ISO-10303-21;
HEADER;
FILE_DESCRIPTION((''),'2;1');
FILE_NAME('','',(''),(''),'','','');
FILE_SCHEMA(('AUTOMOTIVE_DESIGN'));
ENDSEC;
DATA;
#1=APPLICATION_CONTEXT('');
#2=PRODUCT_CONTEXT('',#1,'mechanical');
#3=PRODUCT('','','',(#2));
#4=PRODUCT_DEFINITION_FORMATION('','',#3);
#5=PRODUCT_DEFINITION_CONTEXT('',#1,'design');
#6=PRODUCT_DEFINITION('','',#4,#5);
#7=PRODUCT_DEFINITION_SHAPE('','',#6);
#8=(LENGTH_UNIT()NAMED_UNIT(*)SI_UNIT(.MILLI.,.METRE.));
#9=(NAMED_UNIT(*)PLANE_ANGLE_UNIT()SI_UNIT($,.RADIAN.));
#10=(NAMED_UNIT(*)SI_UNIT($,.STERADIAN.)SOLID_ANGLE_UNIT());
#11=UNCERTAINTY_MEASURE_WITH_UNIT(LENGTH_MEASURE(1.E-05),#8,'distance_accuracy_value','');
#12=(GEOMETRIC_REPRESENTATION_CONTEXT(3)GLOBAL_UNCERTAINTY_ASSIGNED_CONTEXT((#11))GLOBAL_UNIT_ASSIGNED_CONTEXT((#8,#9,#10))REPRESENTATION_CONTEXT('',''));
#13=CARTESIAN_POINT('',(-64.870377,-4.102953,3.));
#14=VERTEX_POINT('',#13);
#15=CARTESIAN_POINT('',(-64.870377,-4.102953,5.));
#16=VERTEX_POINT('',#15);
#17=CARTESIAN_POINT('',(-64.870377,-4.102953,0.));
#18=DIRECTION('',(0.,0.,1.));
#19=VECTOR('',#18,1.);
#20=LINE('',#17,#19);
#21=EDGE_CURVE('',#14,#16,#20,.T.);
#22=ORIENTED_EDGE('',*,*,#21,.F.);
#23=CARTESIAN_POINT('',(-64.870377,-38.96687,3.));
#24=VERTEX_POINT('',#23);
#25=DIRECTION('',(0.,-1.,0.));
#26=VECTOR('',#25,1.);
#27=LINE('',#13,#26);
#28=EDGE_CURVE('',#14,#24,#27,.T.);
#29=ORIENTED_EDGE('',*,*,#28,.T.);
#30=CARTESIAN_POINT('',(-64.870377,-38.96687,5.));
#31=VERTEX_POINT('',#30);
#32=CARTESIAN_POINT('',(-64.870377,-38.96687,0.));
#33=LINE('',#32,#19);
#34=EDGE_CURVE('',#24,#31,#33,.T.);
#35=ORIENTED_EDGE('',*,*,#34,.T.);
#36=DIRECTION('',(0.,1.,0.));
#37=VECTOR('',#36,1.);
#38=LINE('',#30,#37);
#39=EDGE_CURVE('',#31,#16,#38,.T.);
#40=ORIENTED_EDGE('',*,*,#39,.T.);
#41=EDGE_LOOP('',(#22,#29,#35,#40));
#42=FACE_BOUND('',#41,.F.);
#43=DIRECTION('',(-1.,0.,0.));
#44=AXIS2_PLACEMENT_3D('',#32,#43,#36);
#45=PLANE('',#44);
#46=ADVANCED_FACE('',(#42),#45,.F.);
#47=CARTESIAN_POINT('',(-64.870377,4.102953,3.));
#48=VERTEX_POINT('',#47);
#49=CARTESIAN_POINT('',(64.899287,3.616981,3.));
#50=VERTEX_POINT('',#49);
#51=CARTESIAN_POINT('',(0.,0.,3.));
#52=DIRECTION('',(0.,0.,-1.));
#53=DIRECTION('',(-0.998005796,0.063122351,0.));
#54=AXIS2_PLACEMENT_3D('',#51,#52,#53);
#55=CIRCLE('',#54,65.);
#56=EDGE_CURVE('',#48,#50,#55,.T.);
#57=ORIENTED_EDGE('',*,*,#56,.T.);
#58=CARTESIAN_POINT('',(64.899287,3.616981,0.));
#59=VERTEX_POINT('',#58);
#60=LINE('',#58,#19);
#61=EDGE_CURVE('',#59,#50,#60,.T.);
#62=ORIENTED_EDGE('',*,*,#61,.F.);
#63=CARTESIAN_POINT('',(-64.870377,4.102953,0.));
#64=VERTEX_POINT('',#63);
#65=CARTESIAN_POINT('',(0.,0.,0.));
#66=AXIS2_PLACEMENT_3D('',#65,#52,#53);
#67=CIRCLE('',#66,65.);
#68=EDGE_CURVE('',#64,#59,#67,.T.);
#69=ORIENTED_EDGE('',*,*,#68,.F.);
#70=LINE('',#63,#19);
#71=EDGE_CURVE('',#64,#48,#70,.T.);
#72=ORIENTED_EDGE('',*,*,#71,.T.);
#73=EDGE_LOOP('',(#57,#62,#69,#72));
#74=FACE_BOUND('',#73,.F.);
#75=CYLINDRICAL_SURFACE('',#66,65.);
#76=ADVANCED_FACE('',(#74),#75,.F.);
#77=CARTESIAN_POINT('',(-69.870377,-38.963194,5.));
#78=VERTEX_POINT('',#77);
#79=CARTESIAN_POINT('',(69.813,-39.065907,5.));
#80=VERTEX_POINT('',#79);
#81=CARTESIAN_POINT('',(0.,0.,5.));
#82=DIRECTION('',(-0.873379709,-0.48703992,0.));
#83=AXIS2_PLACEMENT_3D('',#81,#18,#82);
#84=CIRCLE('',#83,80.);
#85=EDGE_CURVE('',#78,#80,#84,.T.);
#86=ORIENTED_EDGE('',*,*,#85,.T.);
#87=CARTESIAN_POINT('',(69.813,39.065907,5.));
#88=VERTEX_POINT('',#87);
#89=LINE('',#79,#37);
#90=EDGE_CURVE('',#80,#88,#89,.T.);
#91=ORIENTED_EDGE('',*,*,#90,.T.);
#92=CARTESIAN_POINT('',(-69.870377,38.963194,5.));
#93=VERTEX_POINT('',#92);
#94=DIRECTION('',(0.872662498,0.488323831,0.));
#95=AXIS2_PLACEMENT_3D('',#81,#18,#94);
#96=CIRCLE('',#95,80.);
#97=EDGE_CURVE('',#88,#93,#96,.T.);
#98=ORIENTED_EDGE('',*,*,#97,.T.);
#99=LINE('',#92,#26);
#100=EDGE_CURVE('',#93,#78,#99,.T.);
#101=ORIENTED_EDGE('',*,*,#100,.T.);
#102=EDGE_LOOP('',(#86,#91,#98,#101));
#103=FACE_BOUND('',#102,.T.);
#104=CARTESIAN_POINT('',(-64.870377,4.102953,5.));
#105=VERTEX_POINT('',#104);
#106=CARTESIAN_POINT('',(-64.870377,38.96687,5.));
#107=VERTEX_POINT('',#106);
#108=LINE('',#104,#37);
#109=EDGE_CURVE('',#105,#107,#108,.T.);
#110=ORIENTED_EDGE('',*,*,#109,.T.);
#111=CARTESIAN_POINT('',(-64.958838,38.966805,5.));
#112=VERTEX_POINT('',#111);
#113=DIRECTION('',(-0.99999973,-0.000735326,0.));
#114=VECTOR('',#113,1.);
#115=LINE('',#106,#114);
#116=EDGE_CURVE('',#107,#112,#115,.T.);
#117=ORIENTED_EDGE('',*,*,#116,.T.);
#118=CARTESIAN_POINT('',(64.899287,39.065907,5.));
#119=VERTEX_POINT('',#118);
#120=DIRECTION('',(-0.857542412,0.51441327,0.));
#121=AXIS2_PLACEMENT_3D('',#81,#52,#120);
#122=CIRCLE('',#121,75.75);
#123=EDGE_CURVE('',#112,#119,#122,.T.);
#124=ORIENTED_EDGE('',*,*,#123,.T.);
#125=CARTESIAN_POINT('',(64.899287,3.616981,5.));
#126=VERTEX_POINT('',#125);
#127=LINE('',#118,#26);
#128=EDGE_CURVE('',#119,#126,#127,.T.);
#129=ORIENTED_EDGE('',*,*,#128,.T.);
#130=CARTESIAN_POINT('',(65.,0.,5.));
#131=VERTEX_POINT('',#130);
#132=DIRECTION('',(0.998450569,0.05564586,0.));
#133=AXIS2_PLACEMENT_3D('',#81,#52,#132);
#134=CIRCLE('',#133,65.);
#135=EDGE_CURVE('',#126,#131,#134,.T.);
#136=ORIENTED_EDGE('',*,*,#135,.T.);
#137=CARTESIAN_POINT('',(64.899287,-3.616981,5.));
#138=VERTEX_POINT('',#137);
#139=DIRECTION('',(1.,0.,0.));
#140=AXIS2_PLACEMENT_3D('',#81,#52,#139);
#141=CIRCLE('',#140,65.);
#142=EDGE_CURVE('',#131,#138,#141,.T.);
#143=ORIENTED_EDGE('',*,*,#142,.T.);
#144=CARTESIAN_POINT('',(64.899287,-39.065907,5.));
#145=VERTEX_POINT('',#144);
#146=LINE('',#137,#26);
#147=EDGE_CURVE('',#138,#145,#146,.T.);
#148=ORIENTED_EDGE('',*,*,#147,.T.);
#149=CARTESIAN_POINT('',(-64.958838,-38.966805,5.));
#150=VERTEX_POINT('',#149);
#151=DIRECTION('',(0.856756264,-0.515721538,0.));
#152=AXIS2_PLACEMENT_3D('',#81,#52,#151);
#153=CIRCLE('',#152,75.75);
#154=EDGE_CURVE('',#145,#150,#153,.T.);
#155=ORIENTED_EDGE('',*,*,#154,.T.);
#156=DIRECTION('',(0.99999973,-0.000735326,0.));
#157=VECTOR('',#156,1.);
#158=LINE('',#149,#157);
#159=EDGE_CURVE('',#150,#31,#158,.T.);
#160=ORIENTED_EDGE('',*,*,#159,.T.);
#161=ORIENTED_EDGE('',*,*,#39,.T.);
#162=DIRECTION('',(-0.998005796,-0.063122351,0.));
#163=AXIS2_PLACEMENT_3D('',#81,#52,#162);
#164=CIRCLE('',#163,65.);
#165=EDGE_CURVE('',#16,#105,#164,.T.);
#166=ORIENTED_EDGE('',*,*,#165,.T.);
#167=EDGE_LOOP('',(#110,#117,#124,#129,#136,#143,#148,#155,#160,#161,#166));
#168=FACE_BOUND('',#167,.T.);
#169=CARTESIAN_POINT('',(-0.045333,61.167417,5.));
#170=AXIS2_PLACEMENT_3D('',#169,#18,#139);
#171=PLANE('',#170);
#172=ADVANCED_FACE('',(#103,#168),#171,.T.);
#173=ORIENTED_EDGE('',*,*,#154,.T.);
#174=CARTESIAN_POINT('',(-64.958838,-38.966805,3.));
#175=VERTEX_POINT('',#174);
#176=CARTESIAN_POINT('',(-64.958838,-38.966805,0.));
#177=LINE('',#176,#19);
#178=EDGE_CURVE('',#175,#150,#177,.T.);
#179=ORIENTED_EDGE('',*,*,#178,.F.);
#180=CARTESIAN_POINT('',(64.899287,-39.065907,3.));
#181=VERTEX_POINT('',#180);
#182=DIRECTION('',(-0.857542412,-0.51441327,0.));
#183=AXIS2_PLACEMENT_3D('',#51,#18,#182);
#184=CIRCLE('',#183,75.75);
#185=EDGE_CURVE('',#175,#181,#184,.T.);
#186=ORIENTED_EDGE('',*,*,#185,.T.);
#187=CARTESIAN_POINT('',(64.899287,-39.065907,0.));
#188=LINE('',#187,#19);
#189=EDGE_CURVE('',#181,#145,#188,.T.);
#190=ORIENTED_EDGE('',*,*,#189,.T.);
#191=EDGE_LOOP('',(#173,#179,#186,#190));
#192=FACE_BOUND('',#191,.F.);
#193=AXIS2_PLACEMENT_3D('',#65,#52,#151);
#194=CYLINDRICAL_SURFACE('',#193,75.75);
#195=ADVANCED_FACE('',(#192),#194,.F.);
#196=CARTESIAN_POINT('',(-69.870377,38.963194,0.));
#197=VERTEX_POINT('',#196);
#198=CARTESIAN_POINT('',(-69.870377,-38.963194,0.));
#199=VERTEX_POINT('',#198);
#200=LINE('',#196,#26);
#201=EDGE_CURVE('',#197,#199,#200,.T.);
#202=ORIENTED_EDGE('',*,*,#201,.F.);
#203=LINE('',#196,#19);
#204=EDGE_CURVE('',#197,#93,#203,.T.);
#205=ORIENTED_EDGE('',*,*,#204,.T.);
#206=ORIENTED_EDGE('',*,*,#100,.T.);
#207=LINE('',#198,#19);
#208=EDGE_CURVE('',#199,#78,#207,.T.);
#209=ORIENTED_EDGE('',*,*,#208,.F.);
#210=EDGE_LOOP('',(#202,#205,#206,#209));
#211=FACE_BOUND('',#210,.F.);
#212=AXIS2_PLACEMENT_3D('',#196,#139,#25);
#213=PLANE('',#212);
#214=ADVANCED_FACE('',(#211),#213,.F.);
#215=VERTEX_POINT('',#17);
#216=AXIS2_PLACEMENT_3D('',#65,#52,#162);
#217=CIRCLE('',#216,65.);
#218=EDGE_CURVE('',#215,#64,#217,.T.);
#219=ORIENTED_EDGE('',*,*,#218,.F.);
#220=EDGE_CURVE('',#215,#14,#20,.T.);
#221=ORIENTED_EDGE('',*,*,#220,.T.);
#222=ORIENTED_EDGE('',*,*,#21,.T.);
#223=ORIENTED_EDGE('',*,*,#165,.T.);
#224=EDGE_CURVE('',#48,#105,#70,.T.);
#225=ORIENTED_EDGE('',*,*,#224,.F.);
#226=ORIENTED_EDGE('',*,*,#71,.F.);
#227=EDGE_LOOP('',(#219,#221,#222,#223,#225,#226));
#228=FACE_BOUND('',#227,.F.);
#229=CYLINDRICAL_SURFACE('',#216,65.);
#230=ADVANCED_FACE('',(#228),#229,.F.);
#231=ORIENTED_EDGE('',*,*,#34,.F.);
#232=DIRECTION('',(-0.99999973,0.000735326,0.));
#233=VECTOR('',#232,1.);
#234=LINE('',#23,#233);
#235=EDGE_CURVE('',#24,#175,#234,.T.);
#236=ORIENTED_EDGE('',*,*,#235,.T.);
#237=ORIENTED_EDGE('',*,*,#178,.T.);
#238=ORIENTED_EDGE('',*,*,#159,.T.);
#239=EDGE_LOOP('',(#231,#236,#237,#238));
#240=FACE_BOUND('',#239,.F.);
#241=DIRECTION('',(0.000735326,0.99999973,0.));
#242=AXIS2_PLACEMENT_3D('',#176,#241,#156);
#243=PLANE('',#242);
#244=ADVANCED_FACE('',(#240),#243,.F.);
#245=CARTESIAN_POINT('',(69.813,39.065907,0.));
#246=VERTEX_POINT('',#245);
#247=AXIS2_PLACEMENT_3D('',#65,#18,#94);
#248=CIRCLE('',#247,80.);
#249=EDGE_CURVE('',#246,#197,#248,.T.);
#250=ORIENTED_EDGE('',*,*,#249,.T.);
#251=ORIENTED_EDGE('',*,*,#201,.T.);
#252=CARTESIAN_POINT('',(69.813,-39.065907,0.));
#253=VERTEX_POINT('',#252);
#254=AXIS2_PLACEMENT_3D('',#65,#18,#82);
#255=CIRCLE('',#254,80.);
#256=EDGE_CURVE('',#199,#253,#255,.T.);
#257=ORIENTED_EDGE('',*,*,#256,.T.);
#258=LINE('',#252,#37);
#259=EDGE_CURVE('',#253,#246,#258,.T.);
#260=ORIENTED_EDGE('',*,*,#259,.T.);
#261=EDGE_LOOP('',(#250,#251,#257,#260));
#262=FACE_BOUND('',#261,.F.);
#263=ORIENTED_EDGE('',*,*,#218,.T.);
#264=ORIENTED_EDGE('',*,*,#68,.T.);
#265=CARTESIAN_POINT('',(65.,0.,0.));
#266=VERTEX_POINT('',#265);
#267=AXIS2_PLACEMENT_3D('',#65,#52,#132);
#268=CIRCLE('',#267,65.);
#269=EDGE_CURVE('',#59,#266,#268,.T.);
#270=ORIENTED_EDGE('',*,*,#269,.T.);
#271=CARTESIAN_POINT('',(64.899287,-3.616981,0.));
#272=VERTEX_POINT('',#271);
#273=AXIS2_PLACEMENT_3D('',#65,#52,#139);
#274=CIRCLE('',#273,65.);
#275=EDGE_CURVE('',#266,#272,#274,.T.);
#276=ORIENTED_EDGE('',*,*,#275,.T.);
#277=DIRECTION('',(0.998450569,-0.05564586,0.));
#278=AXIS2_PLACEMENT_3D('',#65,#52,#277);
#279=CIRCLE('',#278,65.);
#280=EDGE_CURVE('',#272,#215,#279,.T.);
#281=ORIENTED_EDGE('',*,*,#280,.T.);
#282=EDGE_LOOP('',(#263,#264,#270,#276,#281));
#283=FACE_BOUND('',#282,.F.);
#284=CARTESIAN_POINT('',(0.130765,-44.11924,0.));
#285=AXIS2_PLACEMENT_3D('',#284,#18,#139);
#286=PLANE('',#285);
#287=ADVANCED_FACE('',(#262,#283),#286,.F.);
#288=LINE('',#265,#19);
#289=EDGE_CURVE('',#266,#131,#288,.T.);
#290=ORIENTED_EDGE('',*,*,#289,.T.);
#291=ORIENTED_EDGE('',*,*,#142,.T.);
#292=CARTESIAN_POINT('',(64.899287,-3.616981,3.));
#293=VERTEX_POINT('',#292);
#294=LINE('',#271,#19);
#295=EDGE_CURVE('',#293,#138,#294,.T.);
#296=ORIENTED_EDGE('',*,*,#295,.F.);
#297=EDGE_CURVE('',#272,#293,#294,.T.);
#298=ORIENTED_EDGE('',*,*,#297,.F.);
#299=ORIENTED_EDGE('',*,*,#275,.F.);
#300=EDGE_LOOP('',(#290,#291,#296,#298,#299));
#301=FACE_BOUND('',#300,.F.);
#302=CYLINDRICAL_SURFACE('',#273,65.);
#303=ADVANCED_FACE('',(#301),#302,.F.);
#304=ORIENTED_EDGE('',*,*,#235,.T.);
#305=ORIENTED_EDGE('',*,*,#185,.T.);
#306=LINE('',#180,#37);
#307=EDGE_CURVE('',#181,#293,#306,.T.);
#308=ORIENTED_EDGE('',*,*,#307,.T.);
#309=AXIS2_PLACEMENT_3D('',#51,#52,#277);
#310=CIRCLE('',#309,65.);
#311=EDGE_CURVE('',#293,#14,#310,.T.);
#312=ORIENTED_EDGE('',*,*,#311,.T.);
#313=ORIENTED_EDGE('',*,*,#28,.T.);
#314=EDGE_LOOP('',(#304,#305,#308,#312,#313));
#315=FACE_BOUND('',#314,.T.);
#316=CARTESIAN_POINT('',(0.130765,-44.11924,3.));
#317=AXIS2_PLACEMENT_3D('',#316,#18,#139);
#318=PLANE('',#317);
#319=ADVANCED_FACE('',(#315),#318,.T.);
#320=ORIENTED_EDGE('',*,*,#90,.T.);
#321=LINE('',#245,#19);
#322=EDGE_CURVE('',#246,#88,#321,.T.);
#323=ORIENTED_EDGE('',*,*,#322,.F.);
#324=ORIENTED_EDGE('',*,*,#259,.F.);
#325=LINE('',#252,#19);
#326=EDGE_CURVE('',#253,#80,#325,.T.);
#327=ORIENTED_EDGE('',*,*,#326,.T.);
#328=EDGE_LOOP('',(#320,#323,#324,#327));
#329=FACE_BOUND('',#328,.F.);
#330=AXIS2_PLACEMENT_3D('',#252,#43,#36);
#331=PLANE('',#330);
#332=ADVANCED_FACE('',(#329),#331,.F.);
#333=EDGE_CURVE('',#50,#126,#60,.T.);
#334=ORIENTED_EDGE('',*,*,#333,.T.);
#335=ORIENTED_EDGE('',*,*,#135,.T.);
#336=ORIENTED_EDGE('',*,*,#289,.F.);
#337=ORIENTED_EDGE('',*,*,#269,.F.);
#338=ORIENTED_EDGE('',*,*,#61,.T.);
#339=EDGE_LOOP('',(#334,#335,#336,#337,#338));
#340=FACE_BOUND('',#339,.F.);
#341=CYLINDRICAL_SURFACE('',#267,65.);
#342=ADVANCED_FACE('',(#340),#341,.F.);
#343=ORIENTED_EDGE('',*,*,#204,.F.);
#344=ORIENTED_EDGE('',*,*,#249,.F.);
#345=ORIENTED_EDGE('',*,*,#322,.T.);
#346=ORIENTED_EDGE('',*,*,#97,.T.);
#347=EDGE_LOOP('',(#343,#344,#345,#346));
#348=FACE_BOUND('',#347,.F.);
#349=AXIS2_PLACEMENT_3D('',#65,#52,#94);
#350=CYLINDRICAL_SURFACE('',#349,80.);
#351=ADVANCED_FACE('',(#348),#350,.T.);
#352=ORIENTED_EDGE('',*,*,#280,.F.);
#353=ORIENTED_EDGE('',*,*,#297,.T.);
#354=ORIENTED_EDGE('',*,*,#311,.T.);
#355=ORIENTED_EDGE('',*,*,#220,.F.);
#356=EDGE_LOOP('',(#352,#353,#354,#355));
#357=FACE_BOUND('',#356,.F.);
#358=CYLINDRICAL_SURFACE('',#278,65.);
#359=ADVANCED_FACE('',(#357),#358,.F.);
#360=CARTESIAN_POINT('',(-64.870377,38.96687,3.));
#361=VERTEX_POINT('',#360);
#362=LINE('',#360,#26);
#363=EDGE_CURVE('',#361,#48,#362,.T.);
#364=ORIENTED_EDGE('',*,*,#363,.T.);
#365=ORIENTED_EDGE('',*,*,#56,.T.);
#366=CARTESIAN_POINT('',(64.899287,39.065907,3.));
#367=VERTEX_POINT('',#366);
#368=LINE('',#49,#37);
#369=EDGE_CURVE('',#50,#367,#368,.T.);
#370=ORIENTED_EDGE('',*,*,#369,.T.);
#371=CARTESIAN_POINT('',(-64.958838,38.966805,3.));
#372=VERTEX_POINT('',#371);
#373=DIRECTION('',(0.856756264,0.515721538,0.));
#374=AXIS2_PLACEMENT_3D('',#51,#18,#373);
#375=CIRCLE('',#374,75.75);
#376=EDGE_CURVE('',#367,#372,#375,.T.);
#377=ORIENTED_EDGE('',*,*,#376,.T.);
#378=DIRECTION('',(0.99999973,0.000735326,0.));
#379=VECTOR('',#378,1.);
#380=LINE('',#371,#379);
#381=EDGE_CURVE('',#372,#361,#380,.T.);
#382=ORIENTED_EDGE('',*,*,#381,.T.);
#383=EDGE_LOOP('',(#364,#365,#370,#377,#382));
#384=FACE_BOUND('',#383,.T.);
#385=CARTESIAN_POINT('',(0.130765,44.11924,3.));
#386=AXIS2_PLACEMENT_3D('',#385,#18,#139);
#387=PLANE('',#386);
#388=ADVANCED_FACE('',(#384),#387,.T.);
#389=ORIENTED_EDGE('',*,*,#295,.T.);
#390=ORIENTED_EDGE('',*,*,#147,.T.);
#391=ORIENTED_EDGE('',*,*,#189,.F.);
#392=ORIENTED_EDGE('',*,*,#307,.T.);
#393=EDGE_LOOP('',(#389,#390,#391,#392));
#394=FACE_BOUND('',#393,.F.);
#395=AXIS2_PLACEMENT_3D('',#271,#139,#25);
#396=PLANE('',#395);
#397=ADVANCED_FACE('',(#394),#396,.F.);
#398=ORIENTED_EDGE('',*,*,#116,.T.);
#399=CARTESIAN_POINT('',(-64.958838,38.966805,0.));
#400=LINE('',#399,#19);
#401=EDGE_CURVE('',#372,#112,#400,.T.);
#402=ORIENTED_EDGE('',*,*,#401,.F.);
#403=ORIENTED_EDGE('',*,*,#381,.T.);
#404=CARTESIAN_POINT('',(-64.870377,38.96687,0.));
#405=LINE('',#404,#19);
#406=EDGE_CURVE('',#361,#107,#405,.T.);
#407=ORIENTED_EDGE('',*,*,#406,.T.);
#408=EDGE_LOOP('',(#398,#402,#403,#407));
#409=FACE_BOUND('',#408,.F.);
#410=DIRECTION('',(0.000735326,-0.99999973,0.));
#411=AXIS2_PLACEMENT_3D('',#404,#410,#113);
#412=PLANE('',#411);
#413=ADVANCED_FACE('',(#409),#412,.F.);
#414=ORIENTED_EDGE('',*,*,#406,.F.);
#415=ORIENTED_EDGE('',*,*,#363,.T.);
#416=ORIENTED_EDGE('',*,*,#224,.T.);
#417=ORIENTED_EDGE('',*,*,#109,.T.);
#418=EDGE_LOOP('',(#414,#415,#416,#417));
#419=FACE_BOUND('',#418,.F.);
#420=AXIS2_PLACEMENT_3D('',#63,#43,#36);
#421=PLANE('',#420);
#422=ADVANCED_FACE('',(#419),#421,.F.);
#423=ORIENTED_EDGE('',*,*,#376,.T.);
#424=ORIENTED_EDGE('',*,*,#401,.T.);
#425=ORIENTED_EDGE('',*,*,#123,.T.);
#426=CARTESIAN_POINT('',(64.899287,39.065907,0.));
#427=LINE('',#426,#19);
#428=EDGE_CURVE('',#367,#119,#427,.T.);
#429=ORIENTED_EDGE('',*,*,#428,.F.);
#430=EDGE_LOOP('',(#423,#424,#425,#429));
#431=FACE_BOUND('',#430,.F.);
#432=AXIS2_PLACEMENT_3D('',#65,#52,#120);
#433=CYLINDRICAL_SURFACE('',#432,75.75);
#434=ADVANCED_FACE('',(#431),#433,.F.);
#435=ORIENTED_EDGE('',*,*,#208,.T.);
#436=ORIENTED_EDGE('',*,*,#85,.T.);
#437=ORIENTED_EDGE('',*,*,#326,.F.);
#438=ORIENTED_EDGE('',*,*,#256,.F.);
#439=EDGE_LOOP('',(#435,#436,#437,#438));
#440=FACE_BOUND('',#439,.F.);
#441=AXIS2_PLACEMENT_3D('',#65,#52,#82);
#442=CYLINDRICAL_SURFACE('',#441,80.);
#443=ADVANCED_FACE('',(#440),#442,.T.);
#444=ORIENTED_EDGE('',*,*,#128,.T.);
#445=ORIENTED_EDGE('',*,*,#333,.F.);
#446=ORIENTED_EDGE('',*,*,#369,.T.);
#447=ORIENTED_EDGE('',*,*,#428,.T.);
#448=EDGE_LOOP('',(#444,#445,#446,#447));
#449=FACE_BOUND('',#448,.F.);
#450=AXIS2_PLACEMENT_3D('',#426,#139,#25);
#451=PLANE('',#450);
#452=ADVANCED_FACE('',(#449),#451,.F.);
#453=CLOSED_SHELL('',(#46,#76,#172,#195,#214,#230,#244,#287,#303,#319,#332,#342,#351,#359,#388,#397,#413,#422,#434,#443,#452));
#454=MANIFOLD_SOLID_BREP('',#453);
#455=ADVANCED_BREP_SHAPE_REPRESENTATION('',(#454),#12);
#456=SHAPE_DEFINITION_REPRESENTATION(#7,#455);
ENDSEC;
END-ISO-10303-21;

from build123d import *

# Parameters (mm, degrees)
F1_DEPTH = 5
F2_DEPTH = 3


with BuildPart() as f1:
    # F0 (on Top) → F1 (new body)
    with BuildSketch(Plane.XY):
        with BuildLine():
            Line((64.8992869691, 39.065906503), (69.8129998574, 39.065906503))
            ThreePointArc((69.8129998574, 39.065906503), (-0.0588261188, 79.9999783718), (-69.8703767369, 38.9631935889))
            Line((-69.8703767369, 38.9631935889), (-64.9588376934, 38.9668051747))
            ThreePointArc((-64.9588376934, 38.9668051747), (-0.0578086543, 75.7499779416), (64.8992869691, 39.065906503))
        make_face()
        with BuildLine():
            ThreePointArc((-64.9588376934, 38.9668051747), (-67.5890599234, 34.2020683392), (-69.8703767369, 29.2607750179))
            Line((-69.8703767369, 29.2607750179), (-69.8703767369, -29.2607750179))
            ThreePointArc((-69.8703767369, -29.2607750179), (-67.5890599234, -34.2020683392), (-64.9588376934, -38.9668051747))
            Line((-64.9588376934, -38.9668051747), (-64.8703767369, -38.9668702224))
            Line((-64.8703767369, -38.9668702224), (-64.8703767369, -4.1029528413))
            ThreePointArc((-64.8703767369, -4.1029528413), (-65, 0), (-64.8703767369, 4.1029528413))
            Line((-64.8703767369, 4.1029528413), (-64.8703767369, 38.9668702224))
            Line((-64.8703767369, 38.9668702224), (-64.9588376934, 38.9668051747))
        make_face()
        with BuildLine():
            Line((-64.9588376934, 38.9668051747), (-69.8703767369, 38.9631935889))
            Line((-69.8703767369, 38.9631935889), (-69.8703767369, 29.2607750179))
            ThreePointArc((-69.8703767369, 29.2607750179), (-67.5890599234, 34.2020683392), (-64.9588376934, 38.9668051747))
        make_face()
        with BuildLine():
            Line((-69.8703767369, -29.2607750179), (-69.8703767369, -38.9631935889))
            Line((-69.8703767369, -38.9631935889), (-64.9588376934, -38.9668051747))
            ThreePointArc((-64.9588376934, -38.9668051747), (-67.5890599234, -34.2020683392), (-69.8703767369, -29.2607750179))
        make_face()
        with BuildLine():
            ThreePointArc((-69.8703767369, -38.9631935889), (-0.0588261188, -79.9999783718), (69.8129998574, -39.065906503))
            Line((69.8129998574, -39.065906503), (64.8992869691, -39.065906503))
            ThreePointArc((64.8992869691, -39.065906503), (-0.0578086543, -75.7499779416), (-64.9588376934, -38.9668051747))
            Line((-64.9588376934, -38.9668051747), (-69.8703767369, -38.9631935889))
        make_face()
        with BuildLine():
            Line((69.8129998574, -29.397407214), (69.8129998574, 29.397407214))
            ThreePointArc((69.8129998574, 29.397407214), (67.5294011904, 34.3197097142), (64.8992869691, 39.065906503))
            Line((64.8992869691, 39.065906503), (64.8992869691, 3.6169809102))
            ThreePointArc((64.8992869691, 3.6169809102), (64.9748168639, 1.8091913953), (65, 0))
            ThreePointArc((65, 0), (64.9748168639, -1.8091913953), (64.8992869691, -3.6169809102))
            Line((64.8992869691, -3.6169809102), (64.8992869691, -39.065906503))
            ThreePointArc((64.8992869691, -39.065906503), (67.5294011904, -34.3197097142), (69.8129998574, -29.397407214))
        make_face()
        with BuildLine():
            Line((64.8992869691, -39.065906503), (69.8129998574, -39.065906503))
            Line((69.8129998574, -39.065906503), (69.8129998574, -29.397407214))
            ThreePointArc((69.8129998574, -29.397407214), (67.5294011904, -34.3197097142), (64.8992869691, -39.065906503))
        make_face()
        with BuildLine():
            Line((69.8129998574, 29.397407214), (69.8129998574, 39.065906503))
            Line((69.8129998574, 39.065906503), (64.8992869691, 39.065906503))
            ThreePointArc((64.8992869691, 39.065906503), (67.5294011904, 34.3197097142), (69.8129998574, 29.397407214))
        make_face()
    extrude(amount=F1_DEPTH)

    # F0 (on Top) → F2 (join)
    with BuildSketch(Plane.XY):
        with BuildLine():
            ThreePointArc((-64.9588376934, -38.9668051747), (-0.0578086543, -75.7499779416), (64.8992869691, -39.065906503))
            Line((64.8992869691, -39.065906503), (64.8992869691, -3.6169809102))
            ThreePointArc((64.8992869691, -3.6169809102), (0.2434155497, -64.9995442205), (-64.8703767369, -4.1029528413))
            Line((-64.8703767369, -4.1029528413), (-64.8703767369, -38.9668702224))
            Line((-64.8703767369, -38.9668702224), (-64.9588376934, -38.9668051747))
        make_face()
        with BuildLine():
            Line((64.8992869691, 3.6169809102), (64.8992869691, 39.065906503))
            ThreePointArc((64.8992869691, 39.065906503), (-0.0578086543, 75.7499779416), (-64.9588376934, 38.9668051747))
            Line((-64.9588376934, 38.9668051747), (-64.8703767369, 38.9668702224))
            Line((-64.8703767369, 38.9668702224), (-64.8703767369, 4.1029528413))
            ThreePointArc((-64.8703767369, 4.1029528413), (0.2434155497, 64.9995442205), (64.8992869691, 3.6169809102))
        make_face()
    extrude(amount=F2_DEPTH)


solid = f1.part
